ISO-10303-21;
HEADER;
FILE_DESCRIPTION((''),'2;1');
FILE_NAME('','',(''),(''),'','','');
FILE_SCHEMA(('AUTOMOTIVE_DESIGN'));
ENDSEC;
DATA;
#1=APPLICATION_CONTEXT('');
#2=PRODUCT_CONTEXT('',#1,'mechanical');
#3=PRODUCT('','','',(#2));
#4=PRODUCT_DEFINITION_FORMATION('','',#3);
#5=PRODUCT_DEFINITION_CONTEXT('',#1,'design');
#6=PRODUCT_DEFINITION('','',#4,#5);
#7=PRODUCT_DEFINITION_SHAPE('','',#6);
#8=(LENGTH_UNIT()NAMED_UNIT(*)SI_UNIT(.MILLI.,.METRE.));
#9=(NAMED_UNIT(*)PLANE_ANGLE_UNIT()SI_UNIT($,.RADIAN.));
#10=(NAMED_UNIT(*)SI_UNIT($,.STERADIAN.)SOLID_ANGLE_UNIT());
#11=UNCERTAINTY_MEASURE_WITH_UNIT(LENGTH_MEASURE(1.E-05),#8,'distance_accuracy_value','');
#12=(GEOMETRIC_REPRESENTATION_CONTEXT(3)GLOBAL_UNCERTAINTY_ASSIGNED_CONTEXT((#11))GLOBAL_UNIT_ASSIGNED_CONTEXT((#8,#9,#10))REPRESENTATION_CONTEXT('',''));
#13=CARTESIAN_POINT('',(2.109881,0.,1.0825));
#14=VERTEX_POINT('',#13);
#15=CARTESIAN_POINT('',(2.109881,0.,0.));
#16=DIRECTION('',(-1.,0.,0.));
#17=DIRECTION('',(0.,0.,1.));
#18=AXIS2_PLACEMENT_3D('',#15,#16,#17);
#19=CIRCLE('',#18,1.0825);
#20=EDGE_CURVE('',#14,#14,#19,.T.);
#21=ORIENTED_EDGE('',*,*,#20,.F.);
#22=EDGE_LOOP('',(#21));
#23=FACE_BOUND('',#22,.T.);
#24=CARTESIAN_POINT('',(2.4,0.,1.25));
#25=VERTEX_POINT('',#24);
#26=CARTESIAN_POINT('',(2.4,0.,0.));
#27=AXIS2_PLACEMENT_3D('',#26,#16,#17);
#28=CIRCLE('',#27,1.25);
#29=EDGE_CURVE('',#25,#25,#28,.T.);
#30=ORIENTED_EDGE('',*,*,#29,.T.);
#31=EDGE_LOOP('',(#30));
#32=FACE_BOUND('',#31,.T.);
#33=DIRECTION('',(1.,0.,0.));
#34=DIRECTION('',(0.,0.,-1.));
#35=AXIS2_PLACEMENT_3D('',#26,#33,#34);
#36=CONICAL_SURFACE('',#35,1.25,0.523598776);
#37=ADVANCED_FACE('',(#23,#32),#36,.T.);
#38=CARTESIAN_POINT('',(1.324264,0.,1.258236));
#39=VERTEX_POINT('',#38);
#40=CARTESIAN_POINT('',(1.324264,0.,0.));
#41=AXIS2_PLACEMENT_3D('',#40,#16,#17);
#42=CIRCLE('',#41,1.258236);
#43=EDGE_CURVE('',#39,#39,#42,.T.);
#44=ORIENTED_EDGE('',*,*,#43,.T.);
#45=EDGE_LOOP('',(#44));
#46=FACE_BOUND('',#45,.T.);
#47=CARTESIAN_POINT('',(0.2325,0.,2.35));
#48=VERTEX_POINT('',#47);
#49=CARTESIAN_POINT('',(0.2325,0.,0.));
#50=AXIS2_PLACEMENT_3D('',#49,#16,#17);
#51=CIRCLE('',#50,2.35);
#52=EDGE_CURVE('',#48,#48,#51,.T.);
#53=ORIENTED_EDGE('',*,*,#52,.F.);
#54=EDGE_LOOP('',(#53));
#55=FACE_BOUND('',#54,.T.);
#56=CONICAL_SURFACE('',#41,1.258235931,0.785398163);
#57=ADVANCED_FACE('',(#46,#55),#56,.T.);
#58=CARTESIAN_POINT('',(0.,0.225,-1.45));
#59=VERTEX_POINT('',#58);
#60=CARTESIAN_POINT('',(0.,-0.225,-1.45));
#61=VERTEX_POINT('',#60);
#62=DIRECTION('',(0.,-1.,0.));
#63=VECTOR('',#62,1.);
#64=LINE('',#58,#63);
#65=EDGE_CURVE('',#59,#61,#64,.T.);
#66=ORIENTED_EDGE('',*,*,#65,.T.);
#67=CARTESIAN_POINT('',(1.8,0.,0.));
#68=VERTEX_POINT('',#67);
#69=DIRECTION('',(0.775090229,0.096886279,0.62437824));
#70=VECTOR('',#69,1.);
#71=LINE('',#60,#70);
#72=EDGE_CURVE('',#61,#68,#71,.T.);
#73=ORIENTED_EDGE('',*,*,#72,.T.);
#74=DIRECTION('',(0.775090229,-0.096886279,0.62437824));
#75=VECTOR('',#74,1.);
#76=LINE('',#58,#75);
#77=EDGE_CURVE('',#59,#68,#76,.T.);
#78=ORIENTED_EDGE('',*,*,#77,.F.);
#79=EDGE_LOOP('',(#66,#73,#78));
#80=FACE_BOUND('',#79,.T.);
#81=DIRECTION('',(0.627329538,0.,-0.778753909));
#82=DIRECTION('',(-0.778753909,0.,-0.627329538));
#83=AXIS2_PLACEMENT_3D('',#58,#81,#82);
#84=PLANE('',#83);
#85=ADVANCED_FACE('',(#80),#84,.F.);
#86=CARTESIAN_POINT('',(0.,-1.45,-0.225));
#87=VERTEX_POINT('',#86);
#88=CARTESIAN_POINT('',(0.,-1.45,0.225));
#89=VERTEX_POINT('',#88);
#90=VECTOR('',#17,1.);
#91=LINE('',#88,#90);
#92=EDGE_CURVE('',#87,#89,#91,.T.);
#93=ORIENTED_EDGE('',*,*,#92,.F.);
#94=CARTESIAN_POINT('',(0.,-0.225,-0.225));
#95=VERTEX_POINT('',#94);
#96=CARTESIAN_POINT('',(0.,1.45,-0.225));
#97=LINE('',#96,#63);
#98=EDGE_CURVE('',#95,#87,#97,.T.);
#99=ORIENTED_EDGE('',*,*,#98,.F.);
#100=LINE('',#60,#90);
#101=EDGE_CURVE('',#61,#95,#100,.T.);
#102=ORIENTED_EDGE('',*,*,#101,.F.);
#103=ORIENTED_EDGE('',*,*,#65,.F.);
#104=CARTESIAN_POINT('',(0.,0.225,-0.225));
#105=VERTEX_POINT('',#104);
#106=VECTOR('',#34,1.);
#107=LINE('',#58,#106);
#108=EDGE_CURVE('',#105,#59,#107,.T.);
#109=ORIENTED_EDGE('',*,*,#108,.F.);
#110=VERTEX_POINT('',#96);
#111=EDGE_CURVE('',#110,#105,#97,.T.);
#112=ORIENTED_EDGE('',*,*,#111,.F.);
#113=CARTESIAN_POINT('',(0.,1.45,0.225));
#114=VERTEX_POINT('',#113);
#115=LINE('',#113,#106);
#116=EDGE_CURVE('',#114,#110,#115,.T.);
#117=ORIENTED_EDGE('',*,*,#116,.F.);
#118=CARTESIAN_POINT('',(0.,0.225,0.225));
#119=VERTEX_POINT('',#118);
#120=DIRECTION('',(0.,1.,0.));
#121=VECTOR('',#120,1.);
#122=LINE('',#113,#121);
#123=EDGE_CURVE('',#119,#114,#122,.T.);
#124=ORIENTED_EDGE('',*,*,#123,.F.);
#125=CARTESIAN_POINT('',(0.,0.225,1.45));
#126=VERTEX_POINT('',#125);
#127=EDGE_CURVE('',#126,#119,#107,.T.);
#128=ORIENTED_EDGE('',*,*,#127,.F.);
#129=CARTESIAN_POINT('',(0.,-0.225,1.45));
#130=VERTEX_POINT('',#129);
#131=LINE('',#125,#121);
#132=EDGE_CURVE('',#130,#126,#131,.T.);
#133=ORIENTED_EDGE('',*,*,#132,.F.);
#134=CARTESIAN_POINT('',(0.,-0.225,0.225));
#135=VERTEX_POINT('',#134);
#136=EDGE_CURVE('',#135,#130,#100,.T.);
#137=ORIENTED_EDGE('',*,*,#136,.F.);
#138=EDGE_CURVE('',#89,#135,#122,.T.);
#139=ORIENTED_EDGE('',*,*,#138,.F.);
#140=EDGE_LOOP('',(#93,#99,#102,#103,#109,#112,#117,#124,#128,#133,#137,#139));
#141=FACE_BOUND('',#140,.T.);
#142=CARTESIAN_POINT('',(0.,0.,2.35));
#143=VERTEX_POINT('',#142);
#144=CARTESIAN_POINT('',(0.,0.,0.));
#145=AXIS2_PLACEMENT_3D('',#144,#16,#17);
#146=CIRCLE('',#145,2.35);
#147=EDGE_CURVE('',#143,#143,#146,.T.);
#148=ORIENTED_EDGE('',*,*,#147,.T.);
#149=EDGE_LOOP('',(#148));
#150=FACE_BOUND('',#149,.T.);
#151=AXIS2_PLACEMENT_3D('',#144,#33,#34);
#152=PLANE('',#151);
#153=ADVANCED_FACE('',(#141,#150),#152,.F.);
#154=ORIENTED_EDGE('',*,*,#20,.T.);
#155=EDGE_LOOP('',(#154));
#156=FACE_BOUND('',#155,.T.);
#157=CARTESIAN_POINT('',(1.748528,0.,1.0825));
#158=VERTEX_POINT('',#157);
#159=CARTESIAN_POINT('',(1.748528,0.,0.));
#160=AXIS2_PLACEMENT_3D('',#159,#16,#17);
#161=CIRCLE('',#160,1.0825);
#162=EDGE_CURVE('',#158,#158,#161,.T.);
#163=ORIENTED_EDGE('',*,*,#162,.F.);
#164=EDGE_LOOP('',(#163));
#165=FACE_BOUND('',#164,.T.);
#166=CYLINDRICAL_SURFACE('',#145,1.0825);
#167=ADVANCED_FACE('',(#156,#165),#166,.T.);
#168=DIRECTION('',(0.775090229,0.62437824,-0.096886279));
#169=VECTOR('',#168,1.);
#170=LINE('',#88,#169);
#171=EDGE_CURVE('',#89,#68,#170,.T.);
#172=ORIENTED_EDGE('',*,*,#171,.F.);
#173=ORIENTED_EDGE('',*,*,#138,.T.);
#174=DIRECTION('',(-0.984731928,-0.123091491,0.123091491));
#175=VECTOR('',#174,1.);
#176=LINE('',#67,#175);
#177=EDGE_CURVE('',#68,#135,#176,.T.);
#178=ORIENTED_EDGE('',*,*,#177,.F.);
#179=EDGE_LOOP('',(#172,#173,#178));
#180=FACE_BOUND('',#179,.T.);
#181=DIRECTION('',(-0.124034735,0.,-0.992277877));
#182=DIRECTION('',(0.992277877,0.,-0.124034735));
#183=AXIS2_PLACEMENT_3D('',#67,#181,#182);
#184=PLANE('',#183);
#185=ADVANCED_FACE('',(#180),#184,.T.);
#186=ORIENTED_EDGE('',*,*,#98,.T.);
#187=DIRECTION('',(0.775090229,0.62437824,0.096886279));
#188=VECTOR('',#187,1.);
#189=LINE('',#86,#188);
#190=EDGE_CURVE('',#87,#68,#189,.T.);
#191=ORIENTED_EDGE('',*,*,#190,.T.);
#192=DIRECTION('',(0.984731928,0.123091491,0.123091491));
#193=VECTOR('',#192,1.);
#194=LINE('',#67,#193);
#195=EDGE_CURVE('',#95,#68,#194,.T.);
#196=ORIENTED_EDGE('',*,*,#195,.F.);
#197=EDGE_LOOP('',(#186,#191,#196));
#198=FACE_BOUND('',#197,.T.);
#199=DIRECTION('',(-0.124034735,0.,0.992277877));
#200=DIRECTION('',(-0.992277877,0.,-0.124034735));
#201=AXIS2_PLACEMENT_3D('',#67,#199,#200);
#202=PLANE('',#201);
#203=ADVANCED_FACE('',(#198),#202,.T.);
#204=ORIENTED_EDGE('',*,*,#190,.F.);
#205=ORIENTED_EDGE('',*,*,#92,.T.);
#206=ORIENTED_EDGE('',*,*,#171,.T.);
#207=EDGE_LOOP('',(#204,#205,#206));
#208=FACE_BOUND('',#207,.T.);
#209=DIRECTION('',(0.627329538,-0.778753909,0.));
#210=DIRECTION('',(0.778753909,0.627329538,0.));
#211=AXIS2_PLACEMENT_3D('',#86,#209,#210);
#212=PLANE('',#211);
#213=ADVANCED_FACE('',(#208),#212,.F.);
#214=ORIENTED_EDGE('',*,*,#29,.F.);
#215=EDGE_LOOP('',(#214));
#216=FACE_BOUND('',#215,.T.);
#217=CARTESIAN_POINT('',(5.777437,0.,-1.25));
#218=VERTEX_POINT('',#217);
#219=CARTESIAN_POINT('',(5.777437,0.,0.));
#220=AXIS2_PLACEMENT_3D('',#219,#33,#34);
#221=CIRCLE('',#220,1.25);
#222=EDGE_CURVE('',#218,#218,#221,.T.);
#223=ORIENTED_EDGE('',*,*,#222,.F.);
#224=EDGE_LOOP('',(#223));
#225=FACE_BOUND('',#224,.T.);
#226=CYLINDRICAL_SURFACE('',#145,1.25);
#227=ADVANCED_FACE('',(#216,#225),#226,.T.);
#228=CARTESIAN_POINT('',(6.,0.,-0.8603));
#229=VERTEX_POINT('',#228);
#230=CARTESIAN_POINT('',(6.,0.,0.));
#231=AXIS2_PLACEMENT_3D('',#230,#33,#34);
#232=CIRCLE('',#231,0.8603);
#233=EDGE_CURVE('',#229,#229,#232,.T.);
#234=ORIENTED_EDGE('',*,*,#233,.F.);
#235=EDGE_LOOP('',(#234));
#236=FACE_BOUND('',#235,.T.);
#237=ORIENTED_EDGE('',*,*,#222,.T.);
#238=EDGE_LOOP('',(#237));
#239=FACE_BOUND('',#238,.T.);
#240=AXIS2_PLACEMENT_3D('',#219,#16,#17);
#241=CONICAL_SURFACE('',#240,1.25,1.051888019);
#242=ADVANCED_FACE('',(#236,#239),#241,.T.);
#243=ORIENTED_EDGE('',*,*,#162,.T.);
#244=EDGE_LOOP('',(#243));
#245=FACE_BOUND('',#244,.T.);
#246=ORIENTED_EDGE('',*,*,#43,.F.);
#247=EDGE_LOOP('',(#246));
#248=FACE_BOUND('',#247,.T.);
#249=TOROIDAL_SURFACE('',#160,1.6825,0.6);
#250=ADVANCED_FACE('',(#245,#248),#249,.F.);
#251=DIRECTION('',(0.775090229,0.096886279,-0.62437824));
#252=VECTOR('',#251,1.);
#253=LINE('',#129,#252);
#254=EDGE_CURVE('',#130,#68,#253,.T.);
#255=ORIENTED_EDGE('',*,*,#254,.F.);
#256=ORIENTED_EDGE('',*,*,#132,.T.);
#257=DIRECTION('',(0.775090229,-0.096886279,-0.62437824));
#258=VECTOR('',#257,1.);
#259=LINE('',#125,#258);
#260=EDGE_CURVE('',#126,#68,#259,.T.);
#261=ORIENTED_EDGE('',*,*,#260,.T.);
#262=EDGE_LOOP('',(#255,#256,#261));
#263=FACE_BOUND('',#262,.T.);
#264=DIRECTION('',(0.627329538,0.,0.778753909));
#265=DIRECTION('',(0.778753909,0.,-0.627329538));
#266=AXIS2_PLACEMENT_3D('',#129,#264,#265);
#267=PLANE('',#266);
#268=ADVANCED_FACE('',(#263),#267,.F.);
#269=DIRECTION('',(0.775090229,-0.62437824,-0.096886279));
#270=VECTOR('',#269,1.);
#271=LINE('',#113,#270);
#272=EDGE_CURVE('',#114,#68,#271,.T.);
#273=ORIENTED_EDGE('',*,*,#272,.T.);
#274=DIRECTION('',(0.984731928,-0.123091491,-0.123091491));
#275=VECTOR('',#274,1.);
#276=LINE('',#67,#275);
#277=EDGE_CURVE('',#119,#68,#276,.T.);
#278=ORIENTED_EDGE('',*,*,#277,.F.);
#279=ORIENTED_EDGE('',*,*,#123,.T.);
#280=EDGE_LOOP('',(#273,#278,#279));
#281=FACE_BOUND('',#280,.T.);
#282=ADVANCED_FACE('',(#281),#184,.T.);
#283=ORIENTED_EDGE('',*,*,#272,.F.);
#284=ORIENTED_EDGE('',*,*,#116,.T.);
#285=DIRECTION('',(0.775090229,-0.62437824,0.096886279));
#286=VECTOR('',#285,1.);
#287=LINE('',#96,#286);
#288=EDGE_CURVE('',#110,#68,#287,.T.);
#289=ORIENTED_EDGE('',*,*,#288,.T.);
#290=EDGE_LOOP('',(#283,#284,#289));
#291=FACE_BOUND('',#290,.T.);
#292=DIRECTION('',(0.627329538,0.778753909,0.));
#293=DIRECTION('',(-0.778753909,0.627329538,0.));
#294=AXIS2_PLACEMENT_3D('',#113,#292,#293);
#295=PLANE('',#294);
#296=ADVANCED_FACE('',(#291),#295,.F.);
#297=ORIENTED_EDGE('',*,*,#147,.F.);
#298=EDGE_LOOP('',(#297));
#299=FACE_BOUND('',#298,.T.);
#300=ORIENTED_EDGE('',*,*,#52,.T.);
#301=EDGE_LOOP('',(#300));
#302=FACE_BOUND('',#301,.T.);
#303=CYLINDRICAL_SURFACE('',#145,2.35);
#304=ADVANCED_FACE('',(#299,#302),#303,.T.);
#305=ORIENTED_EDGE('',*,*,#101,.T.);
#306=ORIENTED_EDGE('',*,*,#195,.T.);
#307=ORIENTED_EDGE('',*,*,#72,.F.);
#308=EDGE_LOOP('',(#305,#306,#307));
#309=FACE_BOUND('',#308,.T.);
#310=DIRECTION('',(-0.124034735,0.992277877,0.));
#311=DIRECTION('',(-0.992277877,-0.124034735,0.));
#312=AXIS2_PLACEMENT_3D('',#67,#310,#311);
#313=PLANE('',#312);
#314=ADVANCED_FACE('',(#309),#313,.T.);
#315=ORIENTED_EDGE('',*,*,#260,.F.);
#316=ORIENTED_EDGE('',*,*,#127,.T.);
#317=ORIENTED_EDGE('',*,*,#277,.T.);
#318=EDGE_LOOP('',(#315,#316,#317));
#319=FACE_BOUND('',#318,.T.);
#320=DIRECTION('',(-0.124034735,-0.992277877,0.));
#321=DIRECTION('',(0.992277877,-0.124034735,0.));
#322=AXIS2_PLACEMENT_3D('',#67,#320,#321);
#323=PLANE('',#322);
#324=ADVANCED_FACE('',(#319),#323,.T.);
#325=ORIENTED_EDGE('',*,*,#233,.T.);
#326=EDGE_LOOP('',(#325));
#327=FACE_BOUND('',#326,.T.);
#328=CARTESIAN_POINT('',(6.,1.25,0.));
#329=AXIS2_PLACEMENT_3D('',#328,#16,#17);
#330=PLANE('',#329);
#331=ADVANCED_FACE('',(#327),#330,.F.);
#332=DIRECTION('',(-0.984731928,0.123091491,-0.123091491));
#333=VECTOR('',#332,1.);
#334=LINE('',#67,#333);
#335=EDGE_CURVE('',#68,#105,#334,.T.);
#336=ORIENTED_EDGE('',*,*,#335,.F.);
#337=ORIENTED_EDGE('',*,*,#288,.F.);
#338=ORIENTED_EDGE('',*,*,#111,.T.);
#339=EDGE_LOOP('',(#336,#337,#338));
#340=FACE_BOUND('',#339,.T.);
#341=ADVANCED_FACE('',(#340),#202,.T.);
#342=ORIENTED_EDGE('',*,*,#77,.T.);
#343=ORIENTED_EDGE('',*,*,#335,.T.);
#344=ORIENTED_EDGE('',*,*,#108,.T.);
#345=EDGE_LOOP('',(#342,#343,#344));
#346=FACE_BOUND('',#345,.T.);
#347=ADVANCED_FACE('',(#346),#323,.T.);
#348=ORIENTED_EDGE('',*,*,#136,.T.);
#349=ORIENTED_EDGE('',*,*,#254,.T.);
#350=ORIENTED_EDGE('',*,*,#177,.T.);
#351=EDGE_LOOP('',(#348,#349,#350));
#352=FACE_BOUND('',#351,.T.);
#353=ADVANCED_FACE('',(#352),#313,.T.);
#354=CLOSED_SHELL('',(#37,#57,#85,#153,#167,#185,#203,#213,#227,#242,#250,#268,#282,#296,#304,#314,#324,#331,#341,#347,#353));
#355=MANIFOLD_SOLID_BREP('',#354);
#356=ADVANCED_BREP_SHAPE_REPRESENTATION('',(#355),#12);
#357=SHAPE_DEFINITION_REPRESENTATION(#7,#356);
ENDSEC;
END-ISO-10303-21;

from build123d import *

# Parameters (mm, degrees)
PATTERN_CIRCULAR_1_COUNT = 2
PATTERN_CIRCULAR_1_ANGLE = 90


with BuildPart() as part:
    # 草图1 → Revolve 694 (revolve)
    with BuildSketch(Plane.XY, mode=Mode.PRIVATE) as revolve_694_sk:
        with BuildLine():
            Line((0, 0), (0, 2.35))
            Line((0, 2.35), (0.2325, 2.35))
            Line((0.2325, 2.35), (1.324264069, 1.258235931))
            ThreePointArc((1.324264069, 1.258235931), (1.518918078, 1.12817228), (1.748528137, 1.0825))
            Line((1.748528137, 1.0825), (2.10988149, 1.0825))
            Line((2.10988149, 1.0825), (2.4, 1.25))
            Line((2.4, 1.25), (6, 1.25))
            Line((6, 1.25), (6, 0))
            Line((6, 0), (0, 0))
        make_face()
    revolve(revolve_694_sk.sketch.rotate(Axis((0, 0, 0), (1, 0, 0)), 90), axis=Axis((0, 0, 0), (1, 0, 0)))

    # 草图2 → 切除-旋转1 (revolve, cut)
    with BuildSketch(Plane.XY, mode=Mode.PRIVATE) as cut_revolve_1_sk:
        Polygon((5.777437203, 1.25), (6.227437203, 1.25), (6, 0.8603), align=None)
    revolve(cut_revolve_1_sk.sketch.rotate(Axis((0, 0, 0), (-1, 0, 0)), 270), axis=Axis((0, 0, 0), (-1, 0, 0)), mode=Mode.SUBTRACT)

    # 草图3 → 切除-放样1 section 0
    with BuildSketch(Plane.ZY, mode=Mode.PRIVATE) as loft_1_s0:
        with BuildLine():
            Line((-1.45, 0.225), (1.45, 0.225))
            Line((1.45, 0.225), (1.45, -0.225))
            Line((1.45, -0.225), (-1.45, -0.225))
            Line((-1.45, -0.225), (-1.45, 0.225))
        make_face()
    loft_1 = loft([loft_1_s0.sketch, Vertex(1.8, 0, 0)], mode=Mode.SUBTRACT)

    # 阵列(圆周)1: 切除-放样1 ×2 about axis
    pattern_circular_1_axis = Axis((0, 0, 0), (1, 0, 0))
    for i in range(1, PATTERN_CIRCULAR_1_COUNT):
        add(loft_1.rotate(pattern_circular_1_axis, i * PATTERN_CIRCULAR_1_ANGLE / (PATTERN_CIRCULAR_1_COUNT - 1)), mode=Mode.SUBTRACT)


solid = part.part
